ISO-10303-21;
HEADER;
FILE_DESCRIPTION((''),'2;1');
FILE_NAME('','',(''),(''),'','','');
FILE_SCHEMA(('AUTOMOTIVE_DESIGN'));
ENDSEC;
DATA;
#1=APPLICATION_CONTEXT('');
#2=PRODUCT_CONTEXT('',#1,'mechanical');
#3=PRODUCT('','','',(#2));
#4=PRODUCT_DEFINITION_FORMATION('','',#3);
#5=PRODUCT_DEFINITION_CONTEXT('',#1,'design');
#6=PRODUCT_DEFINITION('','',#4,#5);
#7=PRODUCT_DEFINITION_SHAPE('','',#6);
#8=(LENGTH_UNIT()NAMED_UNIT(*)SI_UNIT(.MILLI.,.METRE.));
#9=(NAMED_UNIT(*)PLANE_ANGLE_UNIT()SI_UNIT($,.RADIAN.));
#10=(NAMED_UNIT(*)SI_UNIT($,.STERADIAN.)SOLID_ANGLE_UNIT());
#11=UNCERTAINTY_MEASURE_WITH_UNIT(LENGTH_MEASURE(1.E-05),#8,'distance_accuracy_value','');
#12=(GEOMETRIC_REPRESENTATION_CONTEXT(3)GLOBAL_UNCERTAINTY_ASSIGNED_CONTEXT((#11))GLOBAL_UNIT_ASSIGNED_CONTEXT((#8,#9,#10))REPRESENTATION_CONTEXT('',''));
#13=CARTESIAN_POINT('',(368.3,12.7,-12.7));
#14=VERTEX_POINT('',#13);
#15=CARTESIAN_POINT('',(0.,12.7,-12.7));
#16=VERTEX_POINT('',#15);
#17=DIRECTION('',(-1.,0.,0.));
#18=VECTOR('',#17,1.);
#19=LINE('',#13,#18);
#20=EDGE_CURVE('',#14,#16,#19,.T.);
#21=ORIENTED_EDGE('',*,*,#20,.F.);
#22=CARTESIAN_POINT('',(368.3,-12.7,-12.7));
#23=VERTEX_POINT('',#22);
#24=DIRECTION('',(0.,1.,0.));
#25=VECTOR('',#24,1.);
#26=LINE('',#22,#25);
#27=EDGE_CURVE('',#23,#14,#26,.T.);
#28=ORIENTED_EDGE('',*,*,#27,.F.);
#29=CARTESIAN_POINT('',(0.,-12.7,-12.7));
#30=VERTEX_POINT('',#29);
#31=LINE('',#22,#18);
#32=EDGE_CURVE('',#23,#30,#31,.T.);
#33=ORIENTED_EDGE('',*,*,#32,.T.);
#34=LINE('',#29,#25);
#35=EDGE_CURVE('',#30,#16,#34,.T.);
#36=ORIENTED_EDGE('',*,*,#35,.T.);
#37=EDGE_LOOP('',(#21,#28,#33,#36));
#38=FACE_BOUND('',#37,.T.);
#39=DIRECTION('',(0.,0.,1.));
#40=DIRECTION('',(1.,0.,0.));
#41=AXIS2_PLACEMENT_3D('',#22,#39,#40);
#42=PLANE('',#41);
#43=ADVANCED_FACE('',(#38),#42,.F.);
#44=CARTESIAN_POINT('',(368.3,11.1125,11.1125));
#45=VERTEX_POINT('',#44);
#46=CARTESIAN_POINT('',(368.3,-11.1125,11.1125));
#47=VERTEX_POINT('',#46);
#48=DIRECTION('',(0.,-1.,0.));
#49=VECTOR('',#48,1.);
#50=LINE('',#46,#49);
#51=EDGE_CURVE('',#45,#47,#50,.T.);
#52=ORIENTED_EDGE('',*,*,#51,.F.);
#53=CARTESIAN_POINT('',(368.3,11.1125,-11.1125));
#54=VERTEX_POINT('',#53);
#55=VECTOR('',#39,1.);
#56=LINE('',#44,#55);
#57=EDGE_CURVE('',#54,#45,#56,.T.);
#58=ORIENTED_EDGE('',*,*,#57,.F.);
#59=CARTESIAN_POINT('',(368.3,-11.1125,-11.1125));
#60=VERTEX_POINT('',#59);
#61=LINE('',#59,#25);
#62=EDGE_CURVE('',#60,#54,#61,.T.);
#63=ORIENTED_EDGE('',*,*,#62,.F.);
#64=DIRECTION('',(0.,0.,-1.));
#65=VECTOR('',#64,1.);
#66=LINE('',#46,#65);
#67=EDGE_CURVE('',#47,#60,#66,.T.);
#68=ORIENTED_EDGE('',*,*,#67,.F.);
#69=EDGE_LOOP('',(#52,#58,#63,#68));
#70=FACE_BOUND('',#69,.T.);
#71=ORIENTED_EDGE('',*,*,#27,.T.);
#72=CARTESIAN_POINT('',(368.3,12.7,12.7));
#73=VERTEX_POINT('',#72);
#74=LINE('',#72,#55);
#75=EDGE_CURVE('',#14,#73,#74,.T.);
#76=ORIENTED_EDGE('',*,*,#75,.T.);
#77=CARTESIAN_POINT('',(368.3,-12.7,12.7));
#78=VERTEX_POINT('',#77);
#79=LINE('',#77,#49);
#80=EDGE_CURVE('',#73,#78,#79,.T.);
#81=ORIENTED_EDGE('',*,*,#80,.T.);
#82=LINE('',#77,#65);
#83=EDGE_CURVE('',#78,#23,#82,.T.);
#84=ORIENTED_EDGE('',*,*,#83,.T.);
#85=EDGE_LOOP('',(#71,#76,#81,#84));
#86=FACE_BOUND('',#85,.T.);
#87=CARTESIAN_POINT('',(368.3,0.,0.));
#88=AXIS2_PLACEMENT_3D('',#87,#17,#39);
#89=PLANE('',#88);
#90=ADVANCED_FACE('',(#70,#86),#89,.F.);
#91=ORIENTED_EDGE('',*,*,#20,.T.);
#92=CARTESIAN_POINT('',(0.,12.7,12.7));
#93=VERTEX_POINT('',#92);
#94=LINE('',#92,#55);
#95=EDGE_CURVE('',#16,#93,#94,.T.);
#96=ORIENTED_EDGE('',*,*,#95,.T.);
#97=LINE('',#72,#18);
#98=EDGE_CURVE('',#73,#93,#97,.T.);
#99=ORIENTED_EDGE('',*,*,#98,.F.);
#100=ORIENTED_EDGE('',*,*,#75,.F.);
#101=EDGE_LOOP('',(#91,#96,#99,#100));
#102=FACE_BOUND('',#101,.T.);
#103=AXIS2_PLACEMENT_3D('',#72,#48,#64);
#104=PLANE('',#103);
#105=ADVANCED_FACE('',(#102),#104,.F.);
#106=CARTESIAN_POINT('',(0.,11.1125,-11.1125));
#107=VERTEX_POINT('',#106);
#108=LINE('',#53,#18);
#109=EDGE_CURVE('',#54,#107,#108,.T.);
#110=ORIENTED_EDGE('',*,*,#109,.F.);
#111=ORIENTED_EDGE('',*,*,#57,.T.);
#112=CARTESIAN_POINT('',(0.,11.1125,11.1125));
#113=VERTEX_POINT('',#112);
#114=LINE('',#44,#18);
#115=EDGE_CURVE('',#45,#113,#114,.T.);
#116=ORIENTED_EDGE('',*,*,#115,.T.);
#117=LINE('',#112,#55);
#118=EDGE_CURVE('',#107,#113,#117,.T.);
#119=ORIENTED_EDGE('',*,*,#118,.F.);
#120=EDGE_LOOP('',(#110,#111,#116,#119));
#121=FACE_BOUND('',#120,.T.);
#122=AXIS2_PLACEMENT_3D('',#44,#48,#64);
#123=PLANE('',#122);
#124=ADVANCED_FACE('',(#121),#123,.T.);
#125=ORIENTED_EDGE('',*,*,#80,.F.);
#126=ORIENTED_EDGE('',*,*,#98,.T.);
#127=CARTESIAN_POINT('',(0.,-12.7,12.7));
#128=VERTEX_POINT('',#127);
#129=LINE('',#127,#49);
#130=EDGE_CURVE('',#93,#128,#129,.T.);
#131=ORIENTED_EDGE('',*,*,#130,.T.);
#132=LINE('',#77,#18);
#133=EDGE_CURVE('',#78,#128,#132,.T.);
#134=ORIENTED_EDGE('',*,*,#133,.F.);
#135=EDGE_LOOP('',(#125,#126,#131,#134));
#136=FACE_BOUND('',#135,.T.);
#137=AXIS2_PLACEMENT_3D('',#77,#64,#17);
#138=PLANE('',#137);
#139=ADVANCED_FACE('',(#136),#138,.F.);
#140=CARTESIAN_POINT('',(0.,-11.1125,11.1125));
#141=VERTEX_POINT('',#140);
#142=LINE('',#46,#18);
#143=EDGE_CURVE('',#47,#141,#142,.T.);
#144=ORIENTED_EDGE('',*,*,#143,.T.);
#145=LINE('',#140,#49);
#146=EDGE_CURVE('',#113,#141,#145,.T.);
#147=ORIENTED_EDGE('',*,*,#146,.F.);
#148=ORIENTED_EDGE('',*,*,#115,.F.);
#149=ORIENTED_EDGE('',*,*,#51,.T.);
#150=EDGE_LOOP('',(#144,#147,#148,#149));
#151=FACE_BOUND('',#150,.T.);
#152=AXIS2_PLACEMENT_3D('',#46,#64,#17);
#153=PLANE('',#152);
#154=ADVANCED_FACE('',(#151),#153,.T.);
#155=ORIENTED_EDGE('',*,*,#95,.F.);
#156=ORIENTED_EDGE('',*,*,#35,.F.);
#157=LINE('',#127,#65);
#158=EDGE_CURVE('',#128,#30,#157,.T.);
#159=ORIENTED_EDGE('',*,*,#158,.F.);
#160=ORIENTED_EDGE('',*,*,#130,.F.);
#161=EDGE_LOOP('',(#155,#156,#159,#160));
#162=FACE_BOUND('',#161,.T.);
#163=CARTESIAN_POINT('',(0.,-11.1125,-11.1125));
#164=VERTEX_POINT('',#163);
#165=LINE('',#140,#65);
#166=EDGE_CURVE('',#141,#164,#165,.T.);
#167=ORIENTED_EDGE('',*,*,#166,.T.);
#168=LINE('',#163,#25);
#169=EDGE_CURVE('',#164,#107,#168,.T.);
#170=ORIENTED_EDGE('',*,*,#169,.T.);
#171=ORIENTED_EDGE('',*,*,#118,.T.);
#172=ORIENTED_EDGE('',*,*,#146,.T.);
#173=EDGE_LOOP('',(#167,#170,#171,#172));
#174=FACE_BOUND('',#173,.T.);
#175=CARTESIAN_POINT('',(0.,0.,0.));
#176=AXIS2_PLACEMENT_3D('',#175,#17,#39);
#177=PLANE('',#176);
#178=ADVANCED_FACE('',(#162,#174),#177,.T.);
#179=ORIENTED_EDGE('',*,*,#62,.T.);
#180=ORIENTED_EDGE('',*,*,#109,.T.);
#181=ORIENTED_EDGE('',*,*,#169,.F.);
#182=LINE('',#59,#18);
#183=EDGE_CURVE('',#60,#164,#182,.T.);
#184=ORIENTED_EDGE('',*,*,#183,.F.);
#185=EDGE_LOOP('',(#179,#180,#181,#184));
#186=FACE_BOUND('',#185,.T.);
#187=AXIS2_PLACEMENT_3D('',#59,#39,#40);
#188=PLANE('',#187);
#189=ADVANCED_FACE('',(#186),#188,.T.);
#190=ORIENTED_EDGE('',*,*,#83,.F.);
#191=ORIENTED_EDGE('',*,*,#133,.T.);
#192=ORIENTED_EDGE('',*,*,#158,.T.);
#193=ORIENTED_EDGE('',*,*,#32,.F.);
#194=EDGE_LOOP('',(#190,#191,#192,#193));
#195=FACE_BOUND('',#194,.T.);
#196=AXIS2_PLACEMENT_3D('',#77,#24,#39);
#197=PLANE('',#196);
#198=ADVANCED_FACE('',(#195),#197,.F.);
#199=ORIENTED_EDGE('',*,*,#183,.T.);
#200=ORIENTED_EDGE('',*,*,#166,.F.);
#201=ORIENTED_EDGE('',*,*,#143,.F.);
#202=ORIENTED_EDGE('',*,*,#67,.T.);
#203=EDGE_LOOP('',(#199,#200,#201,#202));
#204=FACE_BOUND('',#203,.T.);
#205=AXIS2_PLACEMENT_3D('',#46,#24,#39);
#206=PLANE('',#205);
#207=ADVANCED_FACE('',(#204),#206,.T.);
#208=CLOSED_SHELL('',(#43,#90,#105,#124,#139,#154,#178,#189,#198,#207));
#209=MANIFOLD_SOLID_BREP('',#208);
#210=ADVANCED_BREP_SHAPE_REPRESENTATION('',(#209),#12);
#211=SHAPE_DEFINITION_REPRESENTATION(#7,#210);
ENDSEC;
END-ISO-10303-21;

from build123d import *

# Parameters (mm, degrees)
SKETCH1_W           = 25.4
SKETCH1_H           = 25.4
SKETCH1_W_2         = 22.225
SKETCH1_H_2         = 22.225
BOSS_EXTRUDE1_DEPTH = 368.3


with BuildPart() as part:
    # Sketch1 → Boss-Extrude1 (new body)
    with BuildSketch(Plane(origin=(0, 0, 0), x_dir=(0, 0, -1), z_dir=(1, 0, 0))):
        Rectangle(SKETCH1_W, SKETCH1_H)
        Rectangle(SKETCH1_W_2, SKETCH1_H_2, mode=Mode.SUBTRACT)
    extrude(amount=BOSS_EXTRUDE1_DEPTH)


solid = part.part
